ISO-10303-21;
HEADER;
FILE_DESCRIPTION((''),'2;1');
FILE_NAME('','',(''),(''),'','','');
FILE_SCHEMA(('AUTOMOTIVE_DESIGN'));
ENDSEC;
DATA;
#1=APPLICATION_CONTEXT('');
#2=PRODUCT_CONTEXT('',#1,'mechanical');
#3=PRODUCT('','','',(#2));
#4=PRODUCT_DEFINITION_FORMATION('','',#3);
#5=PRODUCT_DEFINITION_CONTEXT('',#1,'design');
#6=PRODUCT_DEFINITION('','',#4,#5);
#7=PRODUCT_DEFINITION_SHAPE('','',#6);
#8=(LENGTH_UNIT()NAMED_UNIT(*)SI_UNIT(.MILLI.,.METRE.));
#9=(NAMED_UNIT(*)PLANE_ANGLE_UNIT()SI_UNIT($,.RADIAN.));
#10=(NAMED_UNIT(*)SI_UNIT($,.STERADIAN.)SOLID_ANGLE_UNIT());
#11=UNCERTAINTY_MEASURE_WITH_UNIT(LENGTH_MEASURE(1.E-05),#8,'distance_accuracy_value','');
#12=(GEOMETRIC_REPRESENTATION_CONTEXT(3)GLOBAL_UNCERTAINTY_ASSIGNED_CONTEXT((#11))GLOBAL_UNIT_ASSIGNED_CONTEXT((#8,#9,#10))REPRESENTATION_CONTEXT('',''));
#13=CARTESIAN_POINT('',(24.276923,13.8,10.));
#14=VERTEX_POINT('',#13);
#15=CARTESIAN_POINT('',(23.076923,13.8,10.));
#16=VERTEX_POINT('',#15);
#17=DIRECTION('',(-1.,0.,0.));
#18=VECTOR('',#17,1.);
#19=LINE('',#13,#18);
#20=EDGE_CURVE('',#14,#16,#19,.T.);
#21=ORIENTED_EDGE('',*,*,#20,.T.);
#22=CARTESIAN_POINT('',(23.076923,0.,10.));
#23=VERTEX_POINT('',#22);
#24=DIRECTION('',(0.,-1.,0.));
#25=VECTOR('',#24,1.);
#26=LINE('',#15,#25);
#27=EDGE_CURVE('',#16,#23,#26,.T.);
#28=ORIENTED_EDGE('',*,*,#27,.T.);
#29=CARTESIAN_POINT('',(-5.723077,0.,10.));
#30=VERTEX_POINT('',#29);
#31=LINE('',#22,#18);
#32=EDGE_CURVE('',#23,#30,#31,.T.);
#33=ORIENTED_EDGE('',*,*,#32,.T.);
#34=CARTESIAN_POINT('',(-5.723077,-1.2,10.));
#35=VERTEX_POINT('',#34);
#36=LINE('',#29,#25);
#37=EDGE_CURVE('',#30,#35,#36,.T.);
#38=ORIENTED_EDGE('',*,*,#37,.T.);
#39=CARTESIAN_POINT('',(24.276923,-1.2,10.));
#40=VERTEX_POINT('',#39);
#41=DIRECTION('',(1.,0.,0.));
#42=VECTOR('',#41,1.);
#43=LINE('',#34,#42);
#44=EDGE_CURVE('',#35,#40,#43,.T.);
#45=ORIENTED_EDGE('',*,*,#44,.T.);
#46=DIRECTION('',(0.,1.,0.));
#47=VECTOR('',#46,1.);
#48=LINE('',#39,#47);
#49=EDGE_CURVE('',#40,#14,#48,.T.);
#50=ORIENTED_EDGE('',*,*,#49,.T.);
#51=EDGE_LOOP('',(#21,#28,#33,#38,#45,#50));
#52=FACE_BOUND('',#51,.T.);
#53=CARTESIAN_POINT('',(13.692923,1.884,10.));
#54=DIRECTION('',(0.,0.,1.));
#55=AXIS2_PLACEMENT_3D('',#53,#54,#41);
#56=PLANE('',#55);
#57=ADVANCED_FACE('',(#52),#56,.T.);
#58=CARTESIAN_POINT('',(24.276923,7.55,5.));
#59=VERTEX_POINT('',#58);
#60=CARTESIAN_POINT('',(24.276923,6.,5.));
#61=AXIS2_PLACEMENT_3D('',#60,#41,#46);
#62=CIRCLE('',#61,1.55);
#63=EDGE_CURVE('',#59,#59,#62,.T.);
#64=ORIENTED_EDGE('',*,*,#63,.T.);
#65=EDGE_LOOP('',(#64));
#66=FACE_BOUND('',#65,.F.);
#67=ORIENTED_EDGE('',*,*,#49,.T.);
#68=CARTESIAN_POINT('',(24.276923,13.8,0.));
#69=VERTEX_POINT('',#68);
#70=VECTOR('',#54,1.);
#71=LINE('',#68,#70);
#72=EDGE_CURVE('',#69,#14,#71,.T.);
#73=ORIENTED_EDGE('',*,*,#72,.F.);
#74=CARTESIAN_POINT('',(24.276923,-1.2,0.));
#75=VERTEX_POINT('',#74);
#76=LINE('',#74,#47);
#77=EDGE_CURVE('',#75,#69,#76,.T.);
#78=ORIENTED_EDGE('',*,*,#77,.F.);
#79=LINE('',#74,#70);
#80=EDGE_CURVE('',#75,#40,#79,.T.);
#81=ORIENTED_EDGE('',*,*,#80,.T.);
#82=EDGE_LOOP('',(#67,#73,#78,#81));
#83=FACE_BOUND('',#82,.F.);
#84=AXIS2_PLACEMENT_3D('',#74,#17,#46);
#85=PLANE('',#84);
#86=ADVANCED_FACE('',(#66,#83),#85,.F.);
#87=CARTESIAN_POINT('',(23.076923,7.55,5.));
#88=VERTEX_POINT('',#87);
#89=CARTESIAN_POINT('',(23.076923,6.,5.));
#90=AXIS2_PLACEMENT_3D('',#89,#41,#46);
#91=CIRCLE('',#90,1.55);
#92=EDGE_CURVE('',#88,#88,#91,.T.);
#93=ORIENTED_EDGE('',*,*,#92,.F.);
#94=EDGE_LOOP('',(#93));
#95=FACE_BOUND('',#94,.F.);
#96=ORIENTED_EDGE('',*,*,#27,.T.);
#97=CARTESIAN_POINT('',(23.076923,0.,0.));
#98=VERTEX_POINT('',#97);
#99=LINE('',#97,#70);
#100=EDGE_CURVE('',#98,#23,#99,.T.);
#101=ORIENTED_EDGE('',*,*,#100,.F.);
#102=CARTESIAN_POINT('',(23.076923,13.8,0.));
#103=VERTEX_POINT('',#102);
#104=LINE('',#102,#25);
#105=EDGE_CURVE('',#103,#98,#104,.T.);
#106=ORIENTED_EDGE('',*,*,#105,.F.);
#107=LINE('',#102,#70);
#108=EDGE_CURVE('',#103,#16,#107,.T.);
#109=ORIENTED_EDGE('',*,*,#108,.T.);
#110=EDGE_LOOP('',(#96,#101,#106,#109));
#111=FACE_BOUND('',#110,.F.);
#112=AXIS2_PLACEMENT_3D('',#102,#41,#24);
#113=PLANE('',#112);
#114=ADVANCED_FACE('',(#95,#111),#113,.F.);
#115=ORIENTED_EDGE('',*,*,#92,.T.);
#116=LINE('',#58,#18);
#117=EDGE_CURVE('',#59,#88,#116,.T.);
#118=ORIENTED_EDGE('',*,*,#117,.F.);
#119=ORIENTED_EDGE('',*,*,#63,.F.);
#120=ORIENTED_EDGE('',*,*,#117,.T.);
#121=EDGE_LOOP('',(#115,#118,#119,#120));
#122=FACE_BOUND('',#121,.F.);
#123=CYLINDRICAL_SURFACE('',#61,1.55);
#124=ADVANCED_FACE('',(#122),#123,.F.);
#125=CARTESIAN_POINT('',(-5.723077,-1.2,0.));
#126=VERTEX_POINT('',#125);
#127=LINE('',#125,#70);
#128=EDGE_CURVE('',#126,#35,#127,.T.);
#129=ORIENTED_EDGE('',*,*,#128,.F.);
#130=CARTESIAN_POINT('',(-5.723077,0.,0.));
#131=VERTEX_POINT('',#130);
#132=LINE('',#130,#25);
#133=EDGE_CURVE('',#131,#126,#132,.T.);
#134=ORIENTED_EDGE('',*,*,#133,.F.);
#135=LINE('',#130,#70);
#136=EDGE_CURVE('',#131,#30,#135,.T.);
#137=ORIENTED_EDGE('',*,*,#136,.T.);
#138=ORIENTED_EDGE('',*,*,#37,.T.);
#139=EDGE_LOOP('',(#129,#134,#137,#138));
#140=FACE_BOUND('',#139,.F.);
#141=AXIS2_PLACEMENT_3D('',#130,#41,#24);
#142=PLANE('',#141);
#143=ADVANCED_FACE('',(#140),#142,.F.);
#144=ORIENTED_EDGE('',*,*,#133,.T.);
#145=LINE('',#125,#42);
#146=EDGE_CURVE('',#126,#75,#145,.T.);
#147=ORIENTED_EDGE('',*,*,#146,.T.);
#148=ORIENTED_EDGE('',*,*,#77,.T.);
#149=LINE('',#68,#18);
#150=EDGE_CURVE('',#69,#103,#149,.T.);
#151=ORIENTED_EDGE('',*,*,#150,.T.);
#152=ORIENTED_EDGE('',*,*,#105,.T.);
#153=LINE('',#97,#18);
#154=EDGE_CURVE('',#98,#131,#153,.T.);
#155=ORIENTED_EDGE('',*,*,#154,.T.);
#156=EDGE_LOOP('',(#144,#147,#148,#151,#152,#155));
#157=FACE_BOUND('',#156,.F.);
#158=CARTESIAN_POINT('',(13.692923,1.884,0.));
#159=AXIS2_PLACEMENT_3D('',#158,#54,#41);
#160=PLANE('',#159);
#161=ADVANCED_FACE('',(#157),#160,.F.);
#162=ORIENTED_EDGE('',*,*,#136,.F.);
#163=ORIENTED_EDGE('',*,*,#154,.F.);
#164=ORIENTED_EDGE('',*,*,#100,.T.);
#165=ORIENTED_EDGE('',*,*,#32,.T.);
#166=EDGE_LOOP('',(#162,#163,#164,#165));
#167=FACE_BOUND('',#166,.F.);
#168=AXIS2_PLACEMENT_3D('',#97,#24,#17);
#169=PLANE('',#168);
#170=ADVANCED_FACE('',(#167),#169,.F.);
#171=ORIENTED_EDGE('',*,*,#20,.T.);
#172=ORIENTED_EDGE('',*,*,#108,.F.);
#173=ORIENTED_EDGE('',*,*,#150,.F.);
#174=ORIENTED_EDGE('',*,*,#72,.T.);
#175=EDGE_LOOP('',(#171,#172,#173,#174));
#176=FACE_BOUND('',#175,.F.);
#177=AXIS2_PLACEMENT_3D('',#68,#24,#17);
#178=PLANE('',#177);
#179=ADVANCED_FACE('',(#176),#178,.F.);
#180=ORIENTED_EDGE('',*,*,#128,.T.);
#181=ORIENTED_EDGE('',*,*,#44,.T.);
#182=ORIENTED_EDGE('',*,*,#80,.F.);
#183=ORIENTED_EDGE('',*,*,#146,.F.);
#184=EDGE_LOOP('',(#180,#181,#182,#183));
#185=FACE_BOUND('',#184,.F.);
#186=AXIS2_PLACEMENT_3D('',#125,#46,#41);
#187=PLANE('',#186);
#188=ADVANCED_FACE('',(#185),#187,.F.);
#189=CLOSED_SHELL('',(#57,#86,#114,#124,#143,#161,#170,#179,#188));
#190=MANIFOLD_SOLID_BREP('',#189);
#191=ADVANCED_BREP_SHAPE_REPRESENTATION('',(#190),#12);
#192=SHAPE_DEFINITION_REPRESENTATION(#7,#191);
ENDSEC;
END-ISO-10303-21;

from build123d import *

# Parameters (mm, degrees)
F1_DEPTH = 10
F2_R     = 1.55
F3_DEPTH = 1.2


with BuildPart() as f1:
    # F0 (on Top) → F1 (new body)
    with BuildSketch(Plane.XY):
        Polygon((23.076923, 0), (-5.723077, 0), (-5.723077, -1.2), (24.276923, -1.2), (24.276923, 13.8), (23.076923, 13.8), align=None)
    extrude(amount=F1_DEPTH)

    # F2 (on face) → F3 (cut)
    with BuildSketch(Plane.YZ.offset(24.276923)):
        with Locations((6, 5)):
            Circle(F2_R)
    extrude(amount=-F3_DEPTH, mode=Mode.SUBTRACT)


solid = f1.part
